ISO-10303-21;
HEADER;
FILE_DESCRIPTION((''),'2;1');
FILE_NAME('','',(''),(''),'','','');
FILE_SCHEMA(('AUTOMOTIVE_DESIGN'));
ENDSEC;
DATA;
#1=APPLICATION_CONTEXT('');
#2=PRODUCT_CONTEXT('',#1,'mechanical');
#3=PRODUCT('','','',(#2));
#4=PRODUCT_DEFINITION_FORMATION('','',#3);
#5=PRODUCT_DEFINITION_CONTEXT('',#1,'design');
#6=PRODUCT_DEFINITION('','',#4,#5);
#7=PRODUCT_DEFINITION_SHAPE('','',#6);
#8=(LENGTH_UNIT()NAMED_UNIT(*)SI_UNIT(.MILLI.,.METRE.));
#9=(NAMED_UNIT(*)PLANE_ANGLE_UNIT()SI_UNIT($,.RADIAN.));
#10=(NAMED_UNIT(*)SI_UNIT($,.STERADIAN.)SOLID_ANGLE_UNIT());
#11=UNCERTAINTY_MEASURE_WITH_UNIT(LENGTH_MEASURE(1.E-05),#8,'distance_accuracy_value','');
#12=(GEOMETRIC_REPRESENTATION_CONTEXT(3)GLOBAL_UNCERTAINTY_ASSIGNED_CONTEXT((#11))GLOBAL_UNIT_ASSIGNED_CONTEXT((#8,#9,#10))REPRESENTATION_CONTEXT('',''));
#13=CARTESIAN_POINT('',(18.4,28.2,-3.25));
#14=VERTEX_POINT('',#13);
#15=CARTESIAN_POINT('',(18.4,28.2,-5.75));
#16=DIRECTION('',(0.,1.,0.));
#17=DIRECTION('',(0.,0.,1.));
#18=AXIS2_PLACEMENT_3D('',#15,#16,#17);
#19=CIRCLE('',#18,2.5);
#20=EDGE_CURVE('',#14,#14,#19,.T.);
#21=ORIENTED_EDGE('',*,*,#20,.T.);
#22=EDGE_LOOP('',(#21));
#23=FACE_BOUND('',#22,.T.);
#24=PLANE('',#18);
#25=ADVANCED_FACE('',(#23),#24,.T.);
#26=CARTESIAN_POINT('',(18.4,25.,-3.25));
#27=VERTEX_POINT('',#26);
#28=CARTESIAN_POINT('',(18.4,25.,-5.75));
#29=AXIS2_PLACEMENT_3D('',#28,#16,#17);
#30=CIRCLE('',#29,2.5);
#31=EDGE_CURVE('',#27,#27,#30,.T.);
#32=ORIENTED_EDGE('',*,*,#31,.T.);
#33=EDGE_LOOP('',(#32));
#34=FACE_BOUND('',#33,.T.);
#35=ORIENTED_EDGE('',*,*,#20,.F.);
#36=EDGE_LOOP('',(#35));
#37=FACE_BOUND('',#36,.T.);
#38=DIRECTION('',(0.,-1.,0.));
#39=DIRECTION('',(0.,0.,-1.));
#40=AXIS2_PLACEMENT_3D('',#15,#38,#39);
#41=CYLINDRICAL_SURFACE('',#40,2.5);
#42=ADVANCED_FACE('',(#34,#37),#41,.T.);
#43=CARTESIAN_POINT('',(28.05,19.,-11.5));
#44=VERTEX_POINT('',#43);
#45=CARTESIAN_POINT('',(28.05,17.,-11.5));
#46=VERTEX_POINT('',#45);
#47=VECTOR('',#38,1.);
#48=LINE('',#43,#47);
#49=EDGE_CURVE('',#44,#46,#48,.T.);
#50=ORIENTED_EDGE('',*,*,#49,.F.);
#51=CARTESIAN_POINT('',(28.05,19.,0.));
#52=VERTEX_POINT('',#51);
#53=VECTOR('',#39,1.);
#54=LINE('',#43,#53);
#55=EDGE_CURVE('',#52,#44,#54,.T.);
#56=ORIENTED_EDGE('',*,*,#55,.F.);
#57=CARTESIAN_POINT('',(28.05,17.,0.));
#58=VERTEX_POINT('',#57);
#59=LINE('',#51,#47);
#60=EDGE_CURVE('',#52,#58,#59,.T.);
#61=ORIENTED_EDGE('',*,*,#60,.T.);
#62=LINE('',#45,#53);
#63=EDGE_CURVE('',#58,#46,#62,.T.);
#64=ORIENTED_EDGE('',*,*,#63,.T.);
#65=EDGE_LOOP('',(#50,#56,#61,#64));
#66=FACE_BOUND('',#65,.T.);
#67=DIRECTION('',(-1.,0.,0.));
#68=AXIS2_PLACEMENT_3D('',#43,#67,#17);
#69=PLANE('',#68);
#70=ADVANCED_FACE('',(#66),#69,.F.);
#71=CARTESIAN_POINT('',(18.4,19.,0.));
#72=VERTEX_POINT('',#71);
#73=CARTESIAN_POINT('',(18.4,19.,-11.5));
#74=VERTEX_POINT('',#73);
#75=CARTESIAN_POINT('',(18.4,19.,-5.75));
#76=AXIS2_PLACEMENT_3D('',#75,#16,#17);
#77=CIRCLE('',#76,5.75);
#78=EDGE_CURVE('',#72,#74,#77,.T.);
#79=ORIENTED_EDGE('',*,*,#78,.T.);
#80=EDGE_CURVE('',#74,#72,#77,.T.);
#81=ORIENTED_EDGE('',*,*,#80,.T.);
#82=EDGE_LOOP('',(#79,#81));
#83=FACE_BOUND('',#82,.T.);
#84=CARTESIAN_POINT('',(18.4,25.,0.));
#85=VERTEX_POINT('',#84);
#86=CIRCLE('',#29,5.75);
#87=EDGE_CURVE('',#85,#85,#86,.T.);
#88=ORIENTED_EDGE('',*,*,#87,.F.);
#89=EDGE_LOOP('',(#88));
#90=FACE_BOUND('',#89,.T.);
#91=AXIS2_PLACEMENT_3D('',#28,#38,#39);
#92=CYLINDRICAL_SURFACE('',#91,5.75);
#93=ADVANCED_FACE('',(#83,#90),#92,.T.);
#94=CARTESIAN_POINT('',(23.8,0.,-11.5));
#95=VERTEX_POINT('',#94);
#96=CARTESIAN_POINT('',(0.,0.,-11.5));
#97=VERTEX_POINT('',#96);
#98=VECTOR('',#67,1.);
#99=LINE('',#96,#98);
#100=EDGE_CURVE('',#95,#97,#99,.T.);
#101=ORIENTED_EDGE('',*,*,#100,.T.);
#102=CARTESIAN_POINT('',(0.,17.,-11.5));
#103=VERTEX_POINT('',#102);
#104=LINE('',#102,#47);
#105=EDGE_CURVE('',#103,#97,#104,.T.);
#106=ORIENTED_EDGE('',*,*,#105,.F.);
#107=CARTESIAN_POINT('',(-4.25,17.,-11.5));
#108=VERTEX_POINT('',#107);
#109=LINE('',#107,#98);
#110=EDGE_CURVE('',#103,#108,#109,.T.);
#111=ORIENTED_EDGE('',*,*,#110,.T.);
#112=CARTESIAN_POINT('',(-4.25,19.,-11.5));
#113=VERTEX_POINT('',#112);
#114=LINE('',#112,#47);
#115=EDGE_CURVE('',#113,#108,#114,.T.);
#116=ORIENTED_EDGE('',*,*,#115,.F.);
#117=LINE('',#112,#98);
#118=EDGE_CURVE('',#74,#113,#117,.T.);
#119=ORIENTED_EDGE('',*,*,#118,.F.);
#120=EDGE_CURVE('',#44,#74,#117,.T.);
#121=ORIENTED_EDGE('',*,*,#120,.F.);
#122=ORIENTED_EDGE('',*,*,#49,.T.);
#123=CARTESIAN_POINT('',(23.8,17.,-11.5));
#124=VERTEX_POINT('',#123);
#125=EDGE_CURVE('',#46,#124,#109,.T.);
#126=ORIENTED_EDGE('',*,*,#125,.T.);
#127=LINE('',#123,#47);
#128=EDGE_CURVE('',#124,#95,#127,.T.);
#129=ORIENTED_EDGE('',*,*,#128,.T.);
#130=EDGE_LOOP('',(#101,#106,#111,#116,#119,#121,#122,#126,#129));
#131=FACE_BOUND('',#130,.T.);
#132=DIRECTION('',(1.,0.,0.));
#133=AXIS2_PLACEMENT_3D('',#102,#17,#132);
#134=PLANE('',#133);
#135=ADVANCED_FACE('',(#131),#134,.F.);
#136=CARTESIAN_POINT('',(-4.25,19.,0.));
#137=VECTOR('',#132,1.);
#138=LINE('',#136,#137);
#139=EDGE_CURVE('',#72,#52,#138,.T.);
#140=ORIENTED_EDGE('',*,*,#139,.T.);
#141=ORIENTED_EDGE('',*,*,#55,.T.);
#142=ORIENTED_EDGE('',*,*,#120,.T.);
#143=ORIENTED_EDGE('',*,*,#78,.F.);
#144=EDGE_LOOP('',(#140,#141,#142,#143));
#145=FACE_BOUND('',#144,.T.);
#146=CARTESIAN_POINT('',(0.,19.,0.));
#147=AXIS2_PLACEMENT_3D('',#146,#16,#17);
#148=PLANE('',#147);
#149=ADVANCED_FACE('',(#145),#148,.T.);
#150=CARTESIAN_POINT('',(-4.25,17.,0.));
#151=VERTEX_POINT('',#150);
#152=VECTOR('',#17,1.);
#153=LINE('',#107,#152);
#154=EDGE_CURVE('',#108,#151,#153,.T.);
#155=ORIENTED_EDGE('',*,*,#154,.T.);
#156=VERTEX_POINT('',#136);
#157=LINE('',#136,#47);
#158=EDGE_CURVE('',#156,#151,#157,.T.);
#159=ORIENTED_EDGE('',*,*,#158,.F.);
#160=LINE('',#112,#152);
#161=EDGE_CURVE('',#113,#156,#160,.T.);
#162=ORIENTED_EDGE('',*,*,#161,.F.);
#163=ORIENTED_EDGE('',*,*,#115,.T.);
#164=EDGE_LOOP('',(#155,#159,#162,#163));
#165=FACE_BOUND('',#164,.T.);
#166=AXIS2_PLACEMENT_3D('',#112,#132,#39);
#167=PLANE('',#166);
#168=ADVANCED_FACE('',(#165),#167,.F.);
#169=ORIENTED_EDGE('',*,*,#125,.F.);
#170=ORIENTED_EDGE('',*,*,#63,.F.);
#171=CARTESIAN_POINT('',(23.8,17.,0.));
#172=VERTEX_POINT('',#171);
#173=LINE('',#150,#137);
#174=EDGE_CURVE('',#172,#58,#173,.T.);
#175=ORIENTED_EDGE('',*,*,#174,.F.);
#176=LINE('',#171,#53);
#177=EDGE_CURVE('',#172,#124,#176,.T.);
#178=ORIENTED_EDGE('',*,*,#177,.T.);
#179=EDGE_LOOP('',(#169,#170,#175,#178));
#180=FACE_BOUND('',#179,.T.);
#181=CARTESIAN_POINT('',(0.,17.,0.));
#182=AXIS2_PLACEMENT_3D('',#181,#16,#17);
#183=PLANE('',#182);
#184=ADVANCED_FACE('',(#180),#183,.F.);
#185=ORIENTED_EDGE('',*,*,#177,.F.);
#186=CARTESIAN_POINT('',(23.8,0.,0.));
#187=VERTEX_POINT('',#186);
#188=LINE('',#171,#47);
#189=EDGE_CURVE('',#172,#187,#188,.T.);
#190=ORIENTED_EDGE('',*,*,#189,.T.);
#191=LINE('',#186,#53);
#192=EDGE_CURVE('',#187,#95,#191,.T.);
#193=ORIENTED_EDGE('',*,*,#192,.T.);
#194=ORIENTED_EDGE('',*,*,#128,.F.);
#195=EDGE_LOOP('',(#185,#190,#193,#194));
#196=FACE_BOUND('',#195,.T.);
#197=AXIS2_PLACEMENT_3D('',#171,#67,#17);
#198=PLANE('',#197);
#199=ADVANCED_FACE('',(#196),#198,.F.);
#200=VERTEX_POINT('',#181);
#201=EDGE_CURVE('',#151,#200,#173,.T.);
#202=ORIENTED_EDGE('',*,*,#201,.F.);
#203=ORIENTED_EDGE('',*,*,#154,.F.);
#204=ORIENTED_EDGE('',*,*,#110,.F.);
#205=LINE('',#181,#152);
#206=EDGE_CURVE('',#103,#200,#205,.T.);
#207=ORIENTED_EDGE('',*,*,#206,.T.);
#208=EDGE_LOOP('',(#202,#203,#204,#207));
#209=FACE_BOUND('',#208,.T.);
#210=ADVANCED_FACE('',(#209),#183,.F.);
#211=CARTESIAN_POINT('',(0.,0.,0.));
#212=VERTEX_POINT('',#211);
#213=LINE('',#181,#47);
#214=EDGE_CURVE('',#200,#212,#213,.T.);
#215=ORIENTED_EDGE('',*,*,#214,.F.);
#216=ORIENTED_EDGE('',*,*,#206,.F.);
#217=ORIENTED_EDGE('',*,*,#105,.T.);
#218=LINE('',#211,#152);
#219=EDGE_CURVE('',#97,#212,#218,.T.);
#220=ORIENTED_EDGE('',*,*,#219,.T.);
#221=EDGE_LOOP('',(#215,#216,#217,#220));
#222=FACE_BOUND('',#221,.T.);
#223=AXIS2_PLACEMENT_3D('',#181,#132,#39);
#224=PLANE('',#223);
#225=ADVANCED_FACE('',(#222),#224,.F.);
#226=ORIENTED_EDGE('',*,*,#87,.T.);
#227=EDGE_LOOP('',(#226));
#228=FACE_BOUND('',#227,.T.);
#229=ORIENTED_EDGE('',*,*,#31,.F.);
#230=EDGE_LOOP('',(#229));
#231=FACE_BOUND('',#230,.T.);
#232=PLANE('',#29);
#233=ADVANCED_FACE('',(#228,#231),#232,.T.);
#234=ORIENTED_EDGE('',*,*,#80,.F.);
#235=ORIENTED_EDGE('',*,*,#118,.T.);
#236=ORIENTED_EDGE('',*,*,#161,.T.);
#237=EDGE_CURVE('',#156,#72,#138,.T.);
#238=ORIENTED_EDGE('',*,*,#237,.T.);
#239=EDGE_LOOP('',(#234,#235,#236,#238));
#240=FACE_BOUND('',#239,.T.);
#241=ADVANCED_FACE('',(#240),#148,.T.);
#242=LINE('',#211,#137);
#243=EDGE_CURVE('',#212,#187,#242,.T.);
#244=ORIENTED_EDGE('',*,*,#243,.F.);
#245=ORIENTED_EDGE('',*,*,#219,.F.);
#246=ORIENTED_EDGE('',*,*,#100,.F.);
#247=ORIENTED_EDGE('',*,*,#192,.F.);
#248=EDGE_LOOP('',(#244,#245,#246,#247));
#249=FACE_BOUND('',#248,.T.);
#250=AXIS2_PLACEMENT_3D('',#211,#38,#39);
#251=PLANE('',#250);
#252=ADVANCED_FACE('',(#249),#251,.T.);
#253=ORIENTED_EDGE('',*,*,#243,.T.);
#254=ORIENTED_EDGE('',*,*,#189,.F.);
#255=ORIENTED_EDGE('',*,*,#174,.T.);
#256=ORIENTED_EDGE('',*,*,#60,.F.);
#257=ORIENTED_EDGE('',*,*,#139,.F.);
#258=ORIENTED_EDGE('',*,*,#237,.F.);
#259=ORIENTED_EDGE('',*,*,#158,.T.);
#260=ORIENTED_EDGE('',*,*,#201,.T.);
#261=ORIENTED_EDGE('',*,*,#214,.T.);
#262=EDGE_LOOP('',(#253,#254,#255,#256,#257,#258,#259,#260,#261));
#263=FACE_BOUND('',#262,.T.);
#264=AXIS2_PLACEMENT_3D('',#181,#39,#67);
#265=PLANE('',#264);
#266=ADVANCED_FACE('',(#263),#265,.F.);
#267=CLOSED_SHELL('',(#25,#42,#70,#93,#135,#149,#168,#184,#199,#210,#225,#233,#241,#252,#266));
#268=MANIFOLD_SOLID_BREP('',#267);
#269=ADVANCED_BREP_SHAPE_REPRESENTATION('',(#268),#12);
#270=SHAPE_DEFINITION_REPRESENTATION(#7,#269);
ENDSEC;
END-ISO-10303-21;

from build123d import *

# Parameters (mm, degrees)
SKETCH1_W           = 23.8
SKETCH1_H           = 11.5
BOSS_EXTRUDE1_DEPTH = 17
SKETCH2_W           = 32.3
SKETCH2_H           = 11.5
BOSS_EXTRUDE2_DEPTH = 2
SKETCH3_R           = 5.75
BOSS_EXTRUDE3_DEPTH = 6
SKETCH4_R           = 2.5
BOSS_EXTRUDE4_DEPTH = 3.2


with BuildPart() as part:
    # Sketch1 → Boss-Extrude1 (new body)
    with BuildSketch(Plane(origin=(0, 0, 0), x_dir=(1, 0, 0), z_dir=(0, 1, 0))):
        with Locations((11.9, 5.75)):
            Rectangle(SKETCH1_W, SKETCH1_H)
    extrude(amount=BOSS_EXTRUDE1_DEPTH)

    # Sketch2 → Boss-Extrude2 (add)
    with BuildSketch(Plane(origin=(0, 17, 0), x_dir=(1, 0, 0), z_dir=(0, 1, 0))):
        with Locations((11.9, 5.75)):
            Rectangle(SKETCH2_W, SKETCH2_H)
    extrude(amount=BOSS_EXTRUDE2_DEPTH)

    # Sketch3 → Boss-Extrude3 (add)
    with BuildSketch(Plane(origin=(0, 19, 0), x_dir=(1, 0, 0), z_dir=(0, 1, 0))):
        with Locations(Location((18.4, 5.75, 0), (0, 0, 270))):
            Circle(SKETCH3_R)
    extrude(amount=BOSS_EXTRUDE3_DEPTH)

    # Sketch4 → Boss-Extrude4 (add)
    with BuildSketch(Plane(origin=(0, 25, 0), x_dir=(1, 0, 0), z_dir=(0, 1, 0))):
        with Locations(Location((18.4, 5.75, 0), (0, 0, 270))):
            Circle(SKETCH4_R)
    extrude(amount=BOSS_EXTRUDE4_DEPTH)


solid = part.part
